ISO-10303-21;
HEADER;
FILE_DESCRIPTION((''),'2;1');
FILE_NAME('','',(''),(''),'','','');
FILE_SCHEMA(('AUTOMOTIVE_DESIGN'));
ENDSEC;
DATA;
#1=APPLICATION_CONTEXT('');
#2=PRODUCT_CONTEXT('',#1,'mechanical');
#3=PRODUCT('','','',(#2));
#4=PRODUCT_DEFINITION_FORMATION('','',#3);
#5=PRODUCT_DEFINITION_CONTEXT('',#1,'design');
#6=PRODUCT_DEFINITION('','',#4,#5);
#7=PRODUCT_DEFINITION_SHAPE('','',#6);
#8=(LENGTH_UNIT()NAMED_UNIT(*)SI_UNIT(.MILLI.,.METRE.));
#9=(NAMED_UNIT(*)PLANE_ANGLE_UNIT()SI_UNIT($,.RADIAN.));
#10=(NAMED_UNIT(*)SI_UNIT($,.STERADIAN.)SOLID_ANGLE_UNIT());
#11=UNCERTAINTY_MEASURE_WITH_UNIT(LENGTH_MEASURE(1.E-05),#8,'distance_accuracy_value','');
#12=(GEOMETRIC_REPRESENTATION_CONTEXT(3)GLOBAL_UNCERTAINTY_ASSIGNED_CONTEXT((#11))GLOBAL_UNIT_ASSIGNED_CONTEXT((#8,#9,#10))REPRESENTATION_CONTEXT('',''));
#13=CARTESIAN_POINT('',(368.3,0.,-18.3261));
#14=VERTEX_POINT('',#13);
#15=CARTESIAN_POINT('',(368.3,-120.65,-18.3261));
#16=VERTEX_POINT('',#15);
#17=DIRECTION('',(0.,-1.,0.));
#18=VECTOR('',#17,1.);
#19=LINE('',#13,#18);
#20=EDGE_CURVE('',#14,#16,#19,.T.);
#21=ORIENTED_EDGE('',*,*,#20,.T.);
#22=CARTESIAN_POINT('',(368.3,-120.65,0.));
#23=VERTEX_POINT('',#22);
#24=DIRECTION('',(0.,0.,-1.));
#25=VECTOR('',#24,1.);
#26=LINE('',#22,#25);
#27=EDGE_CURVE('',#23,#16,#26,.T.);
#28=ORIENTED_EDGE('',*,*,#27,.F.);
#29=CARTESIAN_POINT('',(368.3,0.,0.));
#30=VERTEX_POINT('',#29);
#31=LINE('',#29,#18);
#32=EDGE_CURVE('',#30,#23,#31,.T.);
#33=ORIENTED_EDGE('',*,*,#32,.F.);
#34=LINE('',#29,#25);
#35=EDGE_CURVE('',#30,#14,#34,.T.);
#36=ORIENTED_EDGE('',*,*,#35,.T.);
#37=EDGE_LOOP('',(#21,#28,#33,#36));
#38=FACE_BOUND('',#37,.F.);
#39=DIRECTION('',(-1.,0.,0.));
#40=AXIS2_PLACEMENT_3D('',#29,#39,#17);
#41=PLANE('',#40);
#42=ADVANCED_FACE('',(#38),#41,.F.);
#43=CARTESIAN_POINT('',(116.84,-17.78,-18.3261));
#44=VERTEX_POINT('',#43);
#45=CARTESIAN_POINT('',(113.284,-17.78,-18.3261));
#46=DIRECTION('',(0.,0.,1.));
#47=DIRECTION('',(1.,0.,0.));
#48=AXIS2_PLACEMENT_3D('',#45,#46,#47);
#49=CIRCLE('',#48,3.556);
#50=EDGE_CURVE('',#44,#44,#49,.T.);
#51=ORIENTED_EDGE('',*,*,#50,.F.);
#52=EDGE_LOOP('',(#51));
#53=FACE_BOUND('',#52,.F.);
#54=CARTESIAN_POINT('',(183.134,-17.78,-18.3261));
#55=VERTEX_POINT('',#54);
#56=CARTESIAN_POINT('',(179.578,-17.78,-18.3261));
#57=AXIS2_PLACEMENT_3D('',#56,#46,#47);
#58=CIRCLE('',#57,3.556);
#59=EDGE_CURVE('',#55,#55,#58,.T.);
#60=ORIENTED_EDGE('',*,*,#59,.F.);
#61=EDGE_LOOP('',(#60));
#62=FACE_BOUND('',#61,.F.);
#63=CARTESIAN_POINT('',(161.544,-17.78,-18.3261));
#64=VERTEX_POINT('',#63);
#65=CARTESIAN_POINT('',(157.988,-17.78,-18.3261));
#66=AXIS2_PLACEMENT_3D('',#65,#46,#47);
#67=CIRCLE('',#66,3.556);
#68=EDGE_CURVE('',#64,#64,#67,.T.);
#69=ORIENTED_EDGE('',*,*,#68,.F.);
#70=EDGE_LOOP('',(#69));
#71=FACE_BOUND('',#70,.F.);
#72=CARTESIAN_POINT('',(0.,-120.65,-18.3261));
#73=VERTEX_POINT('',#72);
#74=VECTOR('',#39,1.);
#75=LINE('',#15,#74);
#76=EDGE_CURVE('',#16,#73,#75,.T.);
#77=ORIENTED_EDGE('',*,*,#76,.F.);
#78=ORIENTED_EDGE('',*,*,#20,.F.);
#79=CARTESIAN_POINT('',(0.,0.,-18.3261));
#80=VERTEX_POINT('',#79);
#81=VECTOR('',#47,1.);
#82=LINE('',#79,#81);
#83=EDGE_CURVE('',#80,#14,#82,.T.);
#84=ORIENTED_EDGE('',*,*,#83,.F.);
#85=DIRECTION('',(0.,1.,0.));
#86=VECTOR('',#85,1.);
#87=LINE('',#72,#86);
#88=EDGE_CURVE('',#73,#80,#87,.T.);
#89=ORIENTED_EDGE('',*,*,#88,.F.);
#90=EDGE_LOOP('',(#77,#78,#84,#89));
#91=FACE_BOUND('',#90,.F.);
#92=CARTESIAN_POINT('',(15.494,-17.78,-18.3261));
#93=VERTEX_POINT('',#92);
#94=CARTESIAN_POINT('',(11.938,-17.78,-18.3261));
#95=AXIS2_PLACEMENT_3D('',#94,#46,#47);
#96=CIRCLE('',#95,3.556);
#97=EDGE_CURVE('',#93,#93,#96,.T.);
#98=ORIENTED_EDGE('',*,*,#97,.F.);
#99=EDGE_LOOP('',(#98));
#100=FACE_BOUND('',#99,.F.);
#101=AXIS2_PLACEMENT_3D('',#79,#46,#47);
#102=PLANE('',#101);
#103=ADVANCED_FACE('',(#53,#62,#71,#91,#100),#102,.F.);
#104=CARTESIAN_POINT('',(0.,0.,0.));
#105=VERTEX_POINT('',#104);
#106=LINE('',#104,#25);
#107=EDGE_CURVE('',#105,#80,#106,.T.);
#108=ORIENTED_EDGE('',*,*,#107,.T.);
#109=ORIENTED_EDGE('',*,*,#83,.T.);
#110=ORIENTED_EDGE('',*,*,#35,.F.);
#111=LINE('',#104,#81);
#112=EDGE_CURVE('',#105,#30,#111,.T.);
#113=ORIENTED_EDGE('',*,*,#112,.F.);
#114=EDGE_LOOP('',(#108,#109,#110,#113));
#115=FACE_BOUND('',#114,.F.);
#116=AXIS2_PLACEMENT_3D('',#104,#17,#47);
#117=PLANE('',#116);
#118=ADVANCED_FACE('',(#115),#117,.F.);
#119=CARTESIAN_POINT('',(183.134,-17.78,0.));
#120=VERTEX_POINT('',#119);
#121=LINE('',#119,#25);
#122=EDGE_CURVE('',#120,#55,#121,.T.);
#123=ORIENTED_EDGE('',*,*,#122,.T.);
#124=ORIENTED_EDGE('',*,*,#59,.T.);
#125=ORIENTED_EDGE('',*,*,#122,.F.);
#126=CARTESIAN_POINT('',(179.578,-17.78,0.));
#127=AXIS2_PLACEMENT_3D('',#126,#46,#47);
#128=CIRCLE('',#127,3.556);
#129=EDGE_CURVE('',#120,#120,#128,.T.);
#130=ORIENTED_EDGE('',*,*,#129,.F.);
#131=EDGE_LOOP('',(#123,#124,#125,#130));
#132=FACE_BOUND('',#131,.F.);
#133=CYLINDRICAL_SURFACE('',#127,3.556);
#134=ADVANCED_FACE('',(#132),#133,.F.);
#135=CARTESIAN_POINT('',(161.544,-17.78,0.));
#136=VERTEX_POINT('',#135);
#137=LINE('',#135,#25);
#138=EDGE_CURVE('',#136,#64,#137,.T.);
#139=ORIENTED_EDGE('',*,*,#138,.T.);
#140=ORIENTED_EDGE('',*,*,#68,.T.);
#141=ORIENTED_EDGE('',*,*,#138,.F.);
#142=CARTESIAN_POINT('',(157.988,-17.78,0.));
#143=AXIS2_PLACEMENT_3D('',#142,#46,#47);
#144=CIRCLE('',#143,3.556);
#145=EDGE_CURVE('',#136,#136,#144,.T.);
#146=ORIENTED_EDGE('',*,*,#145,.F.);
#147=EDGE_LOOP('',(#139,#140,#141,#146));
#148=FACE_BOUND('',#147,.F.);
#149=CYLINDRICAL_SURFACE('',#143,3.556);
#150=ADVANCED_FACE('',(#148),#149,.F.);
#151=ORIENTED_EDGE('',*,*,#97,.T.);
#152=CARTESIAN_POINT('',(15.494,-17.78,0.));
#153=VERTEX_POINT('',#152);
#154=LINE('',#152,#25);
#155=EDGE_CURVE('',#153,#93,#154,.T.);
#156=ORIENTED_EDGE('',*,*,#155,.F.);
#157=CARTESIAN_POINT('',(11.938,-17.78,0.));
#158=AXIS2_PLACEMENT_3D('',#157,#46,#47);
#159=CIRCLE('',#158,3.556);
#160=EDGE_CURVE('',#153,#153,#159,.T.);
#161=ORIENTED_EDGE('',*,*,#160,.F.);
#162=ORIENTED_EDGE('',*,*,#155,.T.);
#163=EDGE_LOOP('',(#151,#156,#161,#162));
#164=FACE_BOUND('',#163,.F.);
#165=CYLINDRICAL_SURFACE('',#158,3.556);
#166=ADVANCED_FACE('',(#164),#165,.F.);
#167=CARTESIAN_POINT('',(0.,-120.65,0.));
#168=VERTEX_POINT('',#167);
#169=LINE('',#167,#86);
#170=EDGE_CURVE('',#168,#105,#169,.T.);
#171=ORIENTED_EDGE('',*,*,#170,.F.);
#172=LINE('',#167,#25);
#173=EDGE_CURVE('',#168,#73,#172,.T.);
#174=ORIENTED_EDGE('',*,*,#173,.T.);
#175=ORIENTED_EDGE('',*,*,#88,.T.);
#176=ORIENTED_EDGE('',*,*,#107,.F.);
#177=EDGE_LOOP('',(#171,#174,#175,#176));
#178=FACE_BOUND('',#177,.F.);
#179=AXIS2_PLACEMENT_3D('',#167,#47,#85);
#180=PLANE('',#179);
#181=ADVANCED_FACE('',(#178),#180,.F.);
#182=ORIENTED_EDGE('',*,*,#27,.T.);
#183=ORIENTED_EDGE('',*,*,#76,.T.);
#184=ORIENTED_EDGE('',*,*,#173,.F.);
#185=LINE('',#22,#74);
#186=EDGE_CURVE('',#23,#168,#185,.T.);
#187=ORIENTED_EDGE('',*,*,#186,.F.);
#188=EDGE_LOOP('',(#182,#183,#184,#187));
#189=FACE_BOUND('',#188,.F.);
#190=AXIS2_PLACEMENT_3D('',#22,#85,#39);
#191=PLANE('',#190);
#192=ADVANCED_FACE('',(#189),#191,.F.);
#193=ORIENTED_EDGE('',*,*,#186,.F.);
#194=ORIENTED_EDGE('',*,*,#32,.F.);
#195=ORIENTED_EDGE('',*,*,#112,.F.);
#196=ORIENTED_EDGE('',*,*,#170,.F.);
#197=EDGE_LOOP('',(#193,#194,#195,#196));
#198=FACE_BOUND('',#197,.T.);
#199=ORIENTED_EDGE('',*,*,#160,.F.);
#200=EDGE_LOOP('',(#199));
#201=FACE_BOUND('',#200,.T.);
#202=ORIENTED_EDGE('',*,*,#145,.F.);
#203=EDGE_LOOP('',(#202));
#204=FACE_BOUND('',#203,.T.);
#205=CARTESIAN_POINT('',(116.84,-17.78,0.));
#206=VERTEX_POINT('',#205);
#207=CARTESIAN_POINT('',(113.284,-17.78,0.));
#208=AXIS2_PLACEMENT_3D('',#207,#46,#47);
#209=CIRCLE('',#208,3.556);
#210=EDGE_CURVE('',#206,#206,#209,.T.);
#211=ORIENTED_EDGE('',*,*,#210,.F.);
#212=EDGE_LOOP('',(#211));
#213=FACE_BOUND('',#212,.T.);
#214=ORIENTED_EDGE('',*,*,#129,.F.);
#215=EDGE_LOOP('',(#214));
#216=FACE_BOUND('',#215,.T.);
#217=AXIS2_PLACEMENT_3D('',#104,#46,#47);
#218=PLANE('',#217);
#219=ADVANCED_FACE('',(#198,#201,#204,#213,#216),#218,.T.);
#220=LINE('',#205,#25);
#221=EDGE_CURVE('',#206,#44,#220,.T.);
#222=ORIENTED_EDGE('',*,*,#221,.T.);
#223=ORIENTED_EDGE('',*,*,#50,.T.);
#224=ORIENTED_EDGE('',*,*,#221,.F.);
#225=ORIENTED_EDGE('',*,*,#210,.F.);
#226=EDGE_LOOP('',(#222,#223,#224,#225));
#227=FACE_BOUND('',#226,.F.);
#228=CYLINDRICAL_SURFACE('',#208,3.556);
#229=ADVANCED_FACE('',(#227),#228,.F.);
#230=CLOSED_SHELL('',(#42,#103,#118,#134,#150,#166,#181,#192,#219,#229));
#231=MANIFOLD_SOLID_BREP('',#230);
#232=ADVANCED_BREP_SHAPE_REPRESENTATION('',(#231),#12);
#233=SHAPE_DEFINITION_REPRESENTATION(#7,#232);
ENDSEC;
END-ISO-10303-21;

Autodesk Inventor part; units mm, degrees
ref_plane "YZ Plane" through (0, 0, 0) normal (1, 0, 0) x (0, 1, 0)
ref_plane "XZ Plane" through (0, 0, 0) normal (0, 1, 0) x (-1, 0, 0)
ref_plane "XY Plane" through (0, 0, 0) normal (0, 0, 1) x (1, 0, 0)
sketch "Sketch1" plane through (0, 0, 0) normal (0, 0, 1) x (1, 0, 0)
  point P0 (0, 0)
sketch "Sketch2" plane through (0, 0, 0) normal (0, 0, 1) x (1, 0, 0)
  line L0 (0, 0) -> (368.3, 0)
  line L1 (368.3, 0) -> (368.3, -120.65)
  line L2 (368.3, -120.65) -> (0, -120.65)
  line L3 (0, -120.65) -> (0, 0)
  circle A0 centre (11.938, -17.78) radius 3.556
  circle A1 centre (113.284, -17.78) radius 3.556
  circle A2 centre (157.988, -17.78) radius 3.556
  circle A3 centre (179.578, -17.78) radius 3.556
  dimension "d1" = 368.3
  dimension "d2" = 120.65
  dimension "d3" = 7.112
  dimension "d4" = 11.938
  dimension "d5" = 102.87
  dimension "d6" = 7.112
  dimension "d8" = 101.346
  dimension "d9" = 7.112
  dimension "d10" = 102.87
  dimension "d11" = 44.704
  dimension "d12" = 7.112
  dimension "d13" = 102.87
  dimension "d14" = 21.59
extrude "Extrusion1" add sketch "Sketch2" against normal blind 18.3261
sketch "Sketch3" plane through (0, 0, 0) normal (0, 0, 1) x (1, 0, 0)
  line L0 (368.3, -120.65) -> (0, -120.65) projected
  line L1 (0, 0) -> (368.3, 0) projected
  dimension "d17" = 120.65
properties part number "kermit bumper (Medium 4)"
